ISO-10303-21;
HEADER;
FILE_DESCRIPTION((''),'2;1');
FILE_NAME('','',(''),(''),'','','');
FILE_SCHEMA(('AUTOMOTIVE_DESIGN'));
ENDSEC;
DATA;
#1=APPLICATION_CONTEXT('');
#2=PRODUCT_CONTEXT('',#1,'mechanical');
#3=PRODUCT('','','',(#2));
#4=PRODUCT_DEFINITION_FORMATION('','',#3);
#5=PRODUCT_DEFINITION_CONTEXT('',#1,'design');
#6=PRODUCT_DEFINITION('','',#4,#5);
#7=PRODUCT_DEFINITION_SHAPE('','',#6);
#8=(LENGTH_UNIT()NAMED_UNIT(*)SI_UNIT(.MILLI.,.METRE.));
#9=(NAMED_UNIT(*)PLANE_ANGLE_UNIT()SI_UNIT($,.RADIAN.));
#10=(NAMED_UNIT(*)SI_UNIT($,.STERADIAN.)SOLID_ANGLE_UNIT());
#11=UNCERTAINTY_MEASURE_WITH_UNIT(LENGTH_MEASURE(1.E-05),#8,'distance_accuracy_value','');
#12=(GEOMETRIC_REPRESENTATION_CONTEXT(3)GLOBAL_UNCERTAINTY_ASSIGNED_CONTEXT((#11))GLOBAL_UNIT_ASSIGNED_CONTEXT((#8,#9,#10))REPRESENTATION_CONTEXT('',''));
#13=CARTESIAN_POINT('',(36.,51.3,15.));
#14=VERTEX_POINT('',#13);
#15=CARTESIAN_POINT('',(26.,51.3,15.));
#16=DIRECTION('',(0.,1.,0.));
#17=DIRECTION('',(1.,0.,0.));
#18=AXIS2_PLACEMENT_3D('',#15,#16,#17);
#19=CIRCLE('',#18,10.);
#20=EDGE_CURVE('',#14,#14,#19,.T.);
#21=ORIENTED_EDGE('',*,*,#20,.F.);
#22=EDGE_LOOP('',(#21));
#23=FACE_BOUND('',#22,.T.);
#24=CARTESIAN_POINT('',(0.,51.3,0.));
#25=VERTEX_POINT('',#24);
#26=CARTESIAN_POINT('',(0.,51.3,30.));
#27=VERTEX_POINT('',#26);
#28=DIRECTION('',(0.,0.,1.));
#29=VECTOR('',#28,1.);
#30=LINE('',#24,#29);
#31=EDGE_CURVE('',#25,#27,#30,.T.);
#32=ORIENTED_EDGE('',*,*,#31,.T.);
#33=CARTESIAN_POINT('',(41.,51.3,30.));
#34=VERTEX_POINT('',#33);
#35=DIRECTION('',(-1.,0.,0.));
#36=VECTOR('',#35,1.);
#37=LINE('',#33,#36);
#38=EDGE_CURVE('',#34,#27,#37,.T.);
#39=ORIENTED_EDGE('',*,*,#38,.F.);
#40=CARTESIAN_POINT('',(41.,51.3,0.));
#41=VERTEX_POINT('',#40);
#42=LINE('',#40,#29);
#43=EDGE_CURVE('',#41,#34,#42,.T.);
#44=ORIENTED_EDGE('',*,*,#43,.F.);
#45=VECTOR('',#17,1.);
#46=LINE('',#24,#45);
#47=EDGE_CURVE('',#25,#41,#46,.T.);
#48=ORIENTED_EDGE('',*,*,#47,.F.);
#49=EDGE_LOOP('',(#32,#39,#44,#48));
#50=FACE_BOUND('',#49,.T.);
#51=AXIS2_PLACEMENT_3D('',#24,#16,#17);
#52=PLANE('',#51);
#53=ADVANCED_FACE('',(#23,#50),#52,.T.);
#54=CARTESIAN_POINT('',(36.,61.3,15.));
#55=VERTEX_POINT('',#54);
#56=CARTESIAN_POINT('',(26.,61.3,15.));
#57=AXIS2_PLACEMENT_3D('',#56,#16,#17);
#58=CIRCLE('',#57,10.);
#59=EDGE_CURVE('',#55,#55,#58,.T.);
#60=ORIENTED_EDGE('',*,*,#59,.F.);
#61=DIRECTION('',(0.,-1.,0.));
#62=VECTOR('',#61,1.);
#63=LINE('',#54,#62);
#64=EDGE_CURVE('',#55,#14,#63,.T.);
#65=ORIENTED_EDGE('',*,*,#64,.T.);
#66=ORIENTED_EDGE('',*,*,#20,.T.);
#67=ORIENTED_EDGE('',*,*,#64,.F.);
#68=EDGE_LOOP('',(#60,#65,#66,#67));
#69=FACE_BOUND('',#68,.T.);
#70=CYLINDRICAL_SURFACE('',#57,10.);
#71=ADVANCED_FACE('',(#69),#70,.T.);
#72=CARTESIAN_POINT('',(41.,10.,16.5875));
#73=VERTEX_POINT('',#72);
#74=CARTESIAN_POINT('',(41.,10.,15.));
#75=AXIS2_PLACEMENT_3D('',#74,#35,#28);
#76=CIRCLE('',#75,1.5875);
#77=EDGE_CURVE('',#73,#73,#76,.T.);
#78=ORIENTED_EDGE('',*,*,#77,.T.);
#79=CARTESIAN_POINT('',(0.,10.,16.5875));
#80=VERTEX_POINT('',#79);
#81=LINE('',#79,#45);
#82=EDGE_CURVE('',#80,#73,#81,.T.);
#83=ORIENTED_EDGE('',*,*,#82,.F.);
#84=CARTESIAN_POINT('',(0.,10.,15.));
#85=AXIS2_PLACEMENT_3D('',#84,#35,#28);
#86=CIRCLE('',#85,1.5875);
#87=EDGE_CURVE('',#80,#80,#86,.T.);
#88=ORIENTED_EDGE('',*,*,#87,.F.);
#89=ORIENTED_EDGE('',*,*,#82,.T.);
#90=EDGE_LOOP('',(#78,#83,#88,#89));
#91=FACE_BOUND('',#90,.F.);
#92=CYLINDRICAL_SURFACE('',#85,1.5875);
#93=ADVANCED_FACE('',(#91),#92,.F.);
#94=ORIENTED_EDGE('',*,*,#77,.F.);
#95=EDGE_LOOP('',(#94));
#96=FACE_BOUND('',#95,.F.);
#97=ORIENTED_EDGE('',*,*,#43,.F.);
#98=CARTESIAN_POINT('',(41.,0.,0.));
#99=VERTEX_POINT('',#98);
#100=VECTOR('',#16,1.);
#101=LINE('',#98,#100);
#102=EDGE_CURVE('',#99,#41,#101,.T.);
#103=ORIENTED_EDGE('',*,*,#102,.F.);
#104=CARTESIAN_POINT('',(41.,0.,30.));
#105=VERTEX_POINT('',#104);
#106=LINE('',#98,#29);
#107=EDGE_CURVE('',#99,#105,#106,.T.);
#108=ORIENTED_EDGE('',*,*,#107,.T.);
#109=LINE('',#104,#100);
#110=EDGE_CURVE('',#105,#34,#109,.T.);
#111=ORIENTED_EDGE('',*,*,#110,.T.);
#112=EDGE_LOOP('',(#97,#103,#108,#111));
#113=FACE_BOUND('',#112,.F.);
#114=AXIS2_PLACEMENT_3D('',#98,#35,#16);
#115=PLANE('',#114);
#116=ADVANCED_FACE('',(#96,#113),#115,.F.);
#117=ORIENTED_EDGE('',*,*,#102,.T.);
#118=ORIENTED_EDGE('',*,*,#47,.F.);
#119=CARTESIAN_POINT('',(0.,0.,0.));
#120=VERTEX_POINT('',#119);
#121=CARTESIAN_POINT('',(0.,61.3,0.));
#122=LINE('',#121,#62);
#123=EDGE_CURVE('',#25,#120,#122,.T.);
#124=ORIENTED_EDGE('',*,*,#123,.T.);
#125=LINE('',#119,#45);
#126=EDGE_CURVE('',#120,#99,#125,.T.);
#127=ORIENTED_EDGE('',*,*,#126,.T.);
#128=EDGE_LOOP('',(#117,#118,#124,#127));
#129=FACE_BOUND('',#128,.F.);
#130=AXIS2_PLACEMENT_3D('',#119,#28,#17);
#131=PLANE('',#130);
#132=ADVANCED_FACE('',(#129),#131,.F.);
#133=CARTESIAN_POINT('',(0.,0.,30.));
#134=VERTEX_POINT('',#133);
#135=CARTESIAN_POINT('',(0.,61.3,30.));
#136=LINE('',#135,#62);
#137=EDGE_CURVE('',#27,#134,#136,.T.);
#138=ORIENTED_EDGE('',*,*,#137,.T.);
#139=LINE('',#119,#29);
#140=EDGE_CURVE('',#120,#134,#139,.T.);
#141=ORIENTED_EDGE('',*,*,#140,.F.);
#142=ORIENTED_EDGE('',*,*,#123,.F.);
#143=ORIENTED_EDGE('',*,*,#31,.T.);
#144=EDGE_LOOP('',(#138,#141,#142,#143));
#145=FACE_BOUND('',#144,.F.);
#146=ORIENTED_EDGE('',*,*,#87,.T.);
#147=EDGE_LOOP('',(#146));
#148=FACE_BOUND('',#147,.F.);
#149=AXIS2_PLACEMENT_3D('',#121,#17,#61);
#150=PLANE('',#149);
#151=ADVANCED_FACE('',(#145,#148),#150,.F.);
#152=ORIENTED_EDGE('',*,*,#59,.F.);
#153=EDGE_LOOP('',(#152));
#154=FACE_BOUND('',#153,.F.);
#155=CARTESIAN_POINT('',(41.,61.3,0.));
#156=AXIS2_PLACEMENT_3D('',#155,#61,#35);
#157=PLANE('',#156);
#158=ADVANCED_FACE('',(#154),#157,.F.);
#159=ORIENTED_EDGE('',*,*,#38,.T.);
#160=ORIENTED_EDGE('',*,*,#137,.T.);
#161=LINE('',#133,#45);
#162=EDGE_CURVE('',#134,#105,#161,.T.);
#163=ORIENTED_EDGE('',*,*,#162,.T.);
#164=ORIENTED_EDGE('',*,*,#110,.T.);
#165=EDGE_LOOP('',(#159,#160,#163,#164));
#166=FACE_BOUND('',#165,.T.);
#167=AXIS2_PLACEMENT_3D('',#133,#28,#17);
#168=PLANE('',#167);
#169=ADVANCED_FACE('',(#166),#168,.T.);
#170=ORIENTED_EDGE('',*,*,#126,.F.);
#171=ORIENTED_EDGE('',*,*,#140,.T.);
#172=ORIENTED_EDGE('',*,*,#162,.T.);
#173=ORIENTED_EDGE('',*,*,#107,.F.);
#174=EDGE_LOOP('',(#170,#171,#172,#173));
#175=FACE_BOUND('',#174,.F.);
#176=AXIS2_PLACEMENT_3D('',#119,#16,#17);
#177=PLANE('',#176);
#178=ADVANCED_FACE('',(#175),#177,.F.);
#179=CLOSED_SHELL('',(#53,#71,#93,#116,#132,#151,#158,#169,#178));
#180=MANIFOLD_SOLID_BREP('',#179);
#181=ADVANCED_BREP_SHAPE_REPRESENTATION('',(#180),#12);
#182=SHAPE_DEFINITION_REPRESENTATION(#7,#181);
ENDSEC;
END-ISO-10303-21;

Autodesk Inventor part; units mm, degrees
ref_plane "YZ Plane" through (0, 0, 0) normal (1, 0, 0) x (0, 1, 0)
ref_plane "XZ Plane" through (0, 0, 0) normal (0, 1, 0) x (-1, 0, 0)
ref_plane "XY Plane" through (0, 0, 0) normal (0, 0, 1) x (1, 0, 0)
sketch "Sketch1" plane through (0, 0, 0) normal (0, 0, 1) x (1, 0, 0)
  line L0 (0, 0) -> (41, 0)
  line L1 (41, 0) -> (41, 61.3)
  line L2 (41, 61.3) -> (0, 61.3)
  line L3 (0, 61.3) -> (0, 0)
  dimension "d0" = 61.3
  dimension "d1" = 41
extrude "Extrusion1" add sketch "Sketch1" along normal blind 30
sketch "Sketch2" plane through (0, 0, 0) normal (-1, 0, 0) x (0, 0, 1)
  circle A0 centre (15, 10) radius 1.5875
  line L0 (0, 0) -> (30, 0) projected
  line L1 (0, 61.3) -> (0, 0) projected
  dimension "d4" = 3.175
  dimension "d5" = 10
  dimension "d6" = 15
extrude "Extrusion2" cut sketch "Sketch2" against normal through all
sketch "Sketch3" plane through (0, 61.3, 0) normal (0, 1, 0) x (1, 0, 0)
  line L0 (0, 0) -> (0, -30) projected
  line L1 (41, 0) -> (41, -30) projected
  line L2 (0, 0) -> (41, 0)
  line L3 (41, 0) -> (41, -30)
  line L4 (41, -30) -> (0, -30)
  line L5 (0, -30) -> (0, 0)
  circle A0 centre (26, -15) radius 10
  dimension "d9" = 15
  dimension "d10" = 15
  dimension "d11" = 20
extrude "Extrusion3" cut sketch "Sketch3" against normal blind 10
properties part number "SolidnoidV"
